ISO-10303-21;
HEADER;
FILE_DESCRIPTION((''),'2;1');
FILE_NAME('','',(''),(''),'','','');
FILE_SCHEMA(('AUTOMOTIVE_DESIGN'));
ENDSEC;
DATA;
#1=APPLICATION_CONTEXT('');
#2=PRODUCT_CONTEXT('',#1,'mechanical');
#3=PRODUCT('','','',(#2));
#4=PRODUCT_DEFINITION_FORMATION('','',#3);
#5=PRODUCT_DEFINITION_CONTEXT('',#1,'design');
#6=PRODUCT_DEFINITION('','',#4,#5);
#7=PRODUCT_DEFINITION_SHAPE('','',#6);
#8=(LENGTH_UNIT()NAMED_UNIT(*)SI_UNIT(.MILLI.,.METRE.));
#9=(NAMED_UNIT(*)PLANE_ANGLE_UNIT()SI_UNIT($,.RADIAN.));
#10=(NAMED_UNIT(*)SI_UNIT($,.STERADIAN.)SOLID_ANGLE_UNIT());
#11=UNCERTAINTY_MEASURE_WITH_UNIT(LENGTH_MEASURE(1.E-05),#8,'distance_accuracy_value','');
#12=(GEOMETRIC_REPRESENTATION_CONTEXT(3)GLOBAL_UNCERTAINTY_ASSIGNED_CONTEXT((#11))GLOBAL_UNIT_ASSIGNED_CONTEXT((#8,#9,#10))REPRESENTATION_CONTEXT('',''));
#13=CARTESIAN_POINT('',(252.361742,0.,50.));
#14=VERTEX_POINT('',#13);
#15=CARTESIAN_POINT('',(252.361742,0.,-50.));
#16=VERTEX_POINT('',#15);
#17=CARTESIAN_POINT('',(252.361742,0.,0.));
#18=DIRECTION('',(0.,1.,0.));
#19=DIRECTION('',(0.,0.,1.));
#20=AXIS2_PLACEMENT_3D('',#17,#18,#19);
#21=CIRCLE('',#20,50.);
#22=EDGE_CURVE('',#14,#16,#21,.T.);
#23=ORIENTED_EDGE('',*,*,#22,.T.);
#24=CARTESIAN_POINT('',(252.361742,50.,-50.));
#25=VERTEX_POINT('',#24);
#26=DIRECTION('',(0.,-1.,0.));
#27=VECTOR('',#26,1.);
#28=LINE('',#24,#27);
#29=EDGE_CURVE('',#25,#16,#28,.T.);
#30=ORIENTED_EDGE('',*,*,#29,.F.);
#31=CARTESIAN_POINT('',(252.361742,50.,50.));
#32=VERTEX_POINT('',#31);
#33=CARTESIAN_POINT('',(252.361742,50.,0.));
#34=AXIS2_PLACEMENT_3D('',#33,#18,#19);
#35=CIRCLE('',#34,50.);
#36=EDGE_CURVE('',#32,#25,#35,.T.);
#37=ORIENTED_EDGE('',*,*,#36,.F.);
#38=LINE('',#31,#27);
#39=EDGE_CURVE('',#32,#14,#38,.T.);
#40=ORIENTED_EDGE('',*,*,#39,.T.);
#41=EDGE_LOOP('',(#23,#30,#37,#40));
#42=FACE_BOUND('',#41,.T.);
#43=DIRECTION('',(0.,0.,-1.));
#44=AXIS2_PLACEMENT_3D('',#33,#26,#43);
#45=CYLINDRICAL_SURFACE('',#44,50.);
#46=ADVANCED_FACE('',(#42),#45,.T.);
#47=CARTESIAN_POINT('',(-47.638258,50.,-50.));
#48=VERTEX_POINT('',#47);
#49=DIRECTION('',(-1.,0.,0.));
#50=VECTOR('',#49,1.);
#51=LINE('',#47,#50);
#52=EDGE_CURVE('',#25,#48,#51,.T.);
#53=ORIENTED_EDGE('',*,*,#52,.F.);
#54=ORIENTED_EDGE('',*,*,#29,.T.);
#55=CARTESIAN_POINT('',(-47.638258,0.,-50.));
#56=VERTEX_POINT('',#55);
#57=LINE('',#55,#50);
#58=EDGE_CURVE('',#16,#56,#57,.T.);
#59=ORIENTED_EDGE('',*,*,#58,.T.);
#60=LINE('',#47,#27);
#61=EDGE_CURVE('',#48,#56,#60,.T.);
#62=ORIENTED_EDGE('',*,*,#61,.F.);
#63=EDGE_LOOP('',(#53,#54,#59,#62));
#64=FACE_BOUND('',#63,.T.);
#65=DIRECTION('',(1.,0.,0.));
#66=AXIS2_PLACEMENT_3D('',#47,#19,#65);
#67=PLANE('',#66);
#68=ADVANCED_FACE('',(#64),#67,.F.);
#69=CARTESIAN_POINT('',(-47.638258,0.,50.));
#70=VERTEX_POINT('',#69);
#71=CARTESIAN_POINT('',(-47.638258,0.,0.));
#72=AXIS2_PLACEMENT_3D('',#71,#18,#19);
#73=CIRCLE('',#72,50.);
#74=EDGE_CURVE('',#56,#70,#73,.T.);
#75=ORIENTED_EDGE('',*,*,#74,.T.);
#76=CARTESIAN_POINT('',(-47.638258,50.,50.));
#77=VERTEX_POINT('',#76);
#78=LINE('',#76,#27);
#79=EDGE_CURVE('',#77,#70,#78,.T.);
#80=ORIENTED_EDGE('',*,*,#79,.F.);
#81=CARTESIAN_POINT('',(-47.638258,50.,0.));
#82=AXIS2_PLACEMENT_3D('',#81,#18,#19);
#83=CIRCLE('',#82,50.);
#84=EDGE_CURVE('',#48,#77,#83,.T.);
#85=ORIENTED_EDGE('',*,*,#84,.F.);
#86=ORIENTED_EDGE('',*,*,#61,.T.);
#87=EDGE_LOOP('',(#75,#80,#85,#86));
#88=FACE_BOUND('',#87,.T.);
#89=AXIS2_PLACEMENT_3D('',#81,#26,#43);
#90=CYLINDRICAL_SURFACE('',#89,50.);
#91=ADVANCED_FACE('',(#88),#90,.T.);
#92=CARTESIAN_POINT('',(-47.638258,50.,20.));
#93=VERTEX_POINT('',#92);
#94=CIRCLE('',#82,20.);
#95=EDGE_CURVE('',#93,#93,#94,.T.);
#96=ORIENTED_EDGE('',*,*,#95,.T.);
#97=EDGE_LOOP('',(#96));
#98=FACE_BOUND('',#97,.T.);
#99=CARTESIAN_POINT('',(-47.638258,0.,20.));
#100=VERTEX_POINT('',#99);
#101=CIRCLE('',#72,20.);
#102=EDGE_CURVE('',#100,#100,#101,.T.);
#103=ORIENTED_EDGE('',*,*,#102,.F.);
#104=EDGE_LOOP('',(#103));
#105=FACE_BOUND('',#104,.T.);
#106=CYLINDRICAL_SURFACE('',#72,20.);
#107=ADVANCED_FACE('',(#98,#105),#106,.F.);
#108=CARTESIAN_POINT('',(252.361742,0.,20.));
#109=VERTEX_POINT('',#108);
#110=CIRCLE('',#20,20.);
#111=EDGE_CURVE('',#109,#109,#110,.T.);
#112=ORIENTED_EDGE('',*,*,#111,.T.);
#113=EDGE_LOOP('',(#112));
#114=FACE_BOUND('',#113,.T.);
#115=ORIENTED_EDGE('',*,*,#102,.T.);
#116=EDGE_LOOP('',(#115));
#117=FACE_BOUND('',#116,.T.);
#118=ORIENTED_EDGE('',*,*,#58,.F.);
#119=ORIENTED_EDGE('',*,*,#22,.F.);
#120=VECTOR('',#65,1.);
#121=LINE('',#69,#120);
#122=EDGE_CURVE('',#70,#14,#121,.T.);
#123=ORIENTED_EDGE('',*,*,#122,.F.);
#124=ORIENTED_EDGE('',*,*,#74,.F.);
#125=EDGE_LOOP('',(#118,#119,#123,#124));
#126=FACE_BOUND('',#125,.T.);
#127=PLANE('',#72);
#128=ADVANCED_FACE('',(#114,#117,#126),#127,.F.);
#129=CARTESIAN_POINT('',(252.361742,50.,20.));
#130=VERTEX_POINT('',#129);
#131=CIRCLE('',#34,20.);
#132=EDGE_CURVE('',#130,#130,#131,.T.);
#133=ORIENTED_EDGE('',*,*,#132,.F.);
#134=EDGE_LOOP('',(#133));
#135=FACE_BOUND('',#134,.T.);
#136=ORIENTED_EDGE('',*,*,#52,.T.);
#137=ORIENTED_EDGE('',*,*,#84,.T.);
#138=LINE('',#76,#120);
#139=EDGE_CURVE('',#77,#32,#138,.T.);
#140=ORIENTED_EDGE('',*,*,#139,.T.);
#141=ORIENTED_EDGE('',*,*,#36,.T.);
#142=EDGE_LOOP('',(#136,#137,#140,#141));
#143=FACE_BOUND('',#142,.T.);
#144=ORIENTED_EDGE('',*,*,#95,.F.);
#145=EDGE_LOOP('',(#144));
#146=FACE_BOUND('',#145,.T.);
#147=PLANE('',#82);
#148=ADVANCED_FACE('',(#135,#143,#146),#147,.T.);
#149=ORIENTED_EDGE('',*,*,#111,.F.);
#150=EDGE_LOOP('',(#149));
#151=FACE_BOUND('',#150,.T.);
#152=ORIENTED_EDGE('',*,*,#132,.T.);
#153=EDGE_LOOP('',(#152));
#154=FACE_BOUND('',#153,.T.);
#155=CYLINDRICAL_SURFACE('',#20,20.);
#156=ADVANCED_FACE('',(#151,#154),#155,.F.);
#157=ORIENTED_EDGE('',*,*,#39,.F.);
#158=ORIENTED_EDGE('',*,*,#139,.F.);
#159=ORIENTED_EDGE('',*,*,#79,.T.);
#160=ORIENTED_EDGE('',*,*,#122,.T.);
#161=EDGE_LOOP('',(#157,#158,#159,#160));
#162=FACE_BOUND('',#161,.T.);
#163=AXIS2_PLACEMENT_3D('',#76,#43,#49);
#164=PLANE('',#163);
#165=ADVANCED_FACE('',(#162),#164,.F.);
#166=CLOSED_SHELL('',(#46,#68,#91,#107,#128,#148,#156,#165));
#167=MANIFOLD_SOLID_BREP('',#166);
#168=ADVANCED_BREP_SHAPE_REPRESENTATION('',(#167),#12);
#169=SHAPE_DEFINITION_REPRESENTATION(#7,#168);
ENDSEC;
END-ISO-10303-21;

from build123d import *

# Parameters (mm, degrees)
BOSS_EXTRUDE1_DEPTH = 50
SKETCH2_R           = 20
CUT_EXTRUDE1_DEPTH  = 50


with BuildPart() as part:
    # Sketch1 → Boss-Extrude1 (new body)
    with BuildSketch(Plane(origin=(0, 0, 0), x_dir=(1, 0, 0), z_dir=(0, 1, 0))):
        with BuildLine():
            Line((-47.638258167, 50), (252.361741833, 50))
            ThreePointArc((252.361741833, 50), (302.361741833, 0), (252.361741833, -50))
            Line((252.361741833, -50), (-47.638258167, -50))
            ThreePointArc((-47.638258167, -50), (-97.638258167, 0), (-47.638258167, 50))
        make_face()
    extrude(amount=BOSS_EXTRUDE1_DEPTH)

    # Sketch2 → Cut-Extrude1 (cut)
    with BuildSketch(Plane(origin=(0, 50, 0), x_dir=(1, 0, 0), z_dir=(0, 1, 0))):
        with Locations(Location((-47.638258167, 0, 0), (0, 0, 270))):
            Circle(SKETCH2_R)
        with Locations(Location((252.361741833, 0, 0), (0, 0, 270))):
            Circle(SKETCH2_R)
    extrude(amount=-CUT_EXTRUDE1_DEPTH, mode=Mode.SUBTRACT)


solid = part.part
